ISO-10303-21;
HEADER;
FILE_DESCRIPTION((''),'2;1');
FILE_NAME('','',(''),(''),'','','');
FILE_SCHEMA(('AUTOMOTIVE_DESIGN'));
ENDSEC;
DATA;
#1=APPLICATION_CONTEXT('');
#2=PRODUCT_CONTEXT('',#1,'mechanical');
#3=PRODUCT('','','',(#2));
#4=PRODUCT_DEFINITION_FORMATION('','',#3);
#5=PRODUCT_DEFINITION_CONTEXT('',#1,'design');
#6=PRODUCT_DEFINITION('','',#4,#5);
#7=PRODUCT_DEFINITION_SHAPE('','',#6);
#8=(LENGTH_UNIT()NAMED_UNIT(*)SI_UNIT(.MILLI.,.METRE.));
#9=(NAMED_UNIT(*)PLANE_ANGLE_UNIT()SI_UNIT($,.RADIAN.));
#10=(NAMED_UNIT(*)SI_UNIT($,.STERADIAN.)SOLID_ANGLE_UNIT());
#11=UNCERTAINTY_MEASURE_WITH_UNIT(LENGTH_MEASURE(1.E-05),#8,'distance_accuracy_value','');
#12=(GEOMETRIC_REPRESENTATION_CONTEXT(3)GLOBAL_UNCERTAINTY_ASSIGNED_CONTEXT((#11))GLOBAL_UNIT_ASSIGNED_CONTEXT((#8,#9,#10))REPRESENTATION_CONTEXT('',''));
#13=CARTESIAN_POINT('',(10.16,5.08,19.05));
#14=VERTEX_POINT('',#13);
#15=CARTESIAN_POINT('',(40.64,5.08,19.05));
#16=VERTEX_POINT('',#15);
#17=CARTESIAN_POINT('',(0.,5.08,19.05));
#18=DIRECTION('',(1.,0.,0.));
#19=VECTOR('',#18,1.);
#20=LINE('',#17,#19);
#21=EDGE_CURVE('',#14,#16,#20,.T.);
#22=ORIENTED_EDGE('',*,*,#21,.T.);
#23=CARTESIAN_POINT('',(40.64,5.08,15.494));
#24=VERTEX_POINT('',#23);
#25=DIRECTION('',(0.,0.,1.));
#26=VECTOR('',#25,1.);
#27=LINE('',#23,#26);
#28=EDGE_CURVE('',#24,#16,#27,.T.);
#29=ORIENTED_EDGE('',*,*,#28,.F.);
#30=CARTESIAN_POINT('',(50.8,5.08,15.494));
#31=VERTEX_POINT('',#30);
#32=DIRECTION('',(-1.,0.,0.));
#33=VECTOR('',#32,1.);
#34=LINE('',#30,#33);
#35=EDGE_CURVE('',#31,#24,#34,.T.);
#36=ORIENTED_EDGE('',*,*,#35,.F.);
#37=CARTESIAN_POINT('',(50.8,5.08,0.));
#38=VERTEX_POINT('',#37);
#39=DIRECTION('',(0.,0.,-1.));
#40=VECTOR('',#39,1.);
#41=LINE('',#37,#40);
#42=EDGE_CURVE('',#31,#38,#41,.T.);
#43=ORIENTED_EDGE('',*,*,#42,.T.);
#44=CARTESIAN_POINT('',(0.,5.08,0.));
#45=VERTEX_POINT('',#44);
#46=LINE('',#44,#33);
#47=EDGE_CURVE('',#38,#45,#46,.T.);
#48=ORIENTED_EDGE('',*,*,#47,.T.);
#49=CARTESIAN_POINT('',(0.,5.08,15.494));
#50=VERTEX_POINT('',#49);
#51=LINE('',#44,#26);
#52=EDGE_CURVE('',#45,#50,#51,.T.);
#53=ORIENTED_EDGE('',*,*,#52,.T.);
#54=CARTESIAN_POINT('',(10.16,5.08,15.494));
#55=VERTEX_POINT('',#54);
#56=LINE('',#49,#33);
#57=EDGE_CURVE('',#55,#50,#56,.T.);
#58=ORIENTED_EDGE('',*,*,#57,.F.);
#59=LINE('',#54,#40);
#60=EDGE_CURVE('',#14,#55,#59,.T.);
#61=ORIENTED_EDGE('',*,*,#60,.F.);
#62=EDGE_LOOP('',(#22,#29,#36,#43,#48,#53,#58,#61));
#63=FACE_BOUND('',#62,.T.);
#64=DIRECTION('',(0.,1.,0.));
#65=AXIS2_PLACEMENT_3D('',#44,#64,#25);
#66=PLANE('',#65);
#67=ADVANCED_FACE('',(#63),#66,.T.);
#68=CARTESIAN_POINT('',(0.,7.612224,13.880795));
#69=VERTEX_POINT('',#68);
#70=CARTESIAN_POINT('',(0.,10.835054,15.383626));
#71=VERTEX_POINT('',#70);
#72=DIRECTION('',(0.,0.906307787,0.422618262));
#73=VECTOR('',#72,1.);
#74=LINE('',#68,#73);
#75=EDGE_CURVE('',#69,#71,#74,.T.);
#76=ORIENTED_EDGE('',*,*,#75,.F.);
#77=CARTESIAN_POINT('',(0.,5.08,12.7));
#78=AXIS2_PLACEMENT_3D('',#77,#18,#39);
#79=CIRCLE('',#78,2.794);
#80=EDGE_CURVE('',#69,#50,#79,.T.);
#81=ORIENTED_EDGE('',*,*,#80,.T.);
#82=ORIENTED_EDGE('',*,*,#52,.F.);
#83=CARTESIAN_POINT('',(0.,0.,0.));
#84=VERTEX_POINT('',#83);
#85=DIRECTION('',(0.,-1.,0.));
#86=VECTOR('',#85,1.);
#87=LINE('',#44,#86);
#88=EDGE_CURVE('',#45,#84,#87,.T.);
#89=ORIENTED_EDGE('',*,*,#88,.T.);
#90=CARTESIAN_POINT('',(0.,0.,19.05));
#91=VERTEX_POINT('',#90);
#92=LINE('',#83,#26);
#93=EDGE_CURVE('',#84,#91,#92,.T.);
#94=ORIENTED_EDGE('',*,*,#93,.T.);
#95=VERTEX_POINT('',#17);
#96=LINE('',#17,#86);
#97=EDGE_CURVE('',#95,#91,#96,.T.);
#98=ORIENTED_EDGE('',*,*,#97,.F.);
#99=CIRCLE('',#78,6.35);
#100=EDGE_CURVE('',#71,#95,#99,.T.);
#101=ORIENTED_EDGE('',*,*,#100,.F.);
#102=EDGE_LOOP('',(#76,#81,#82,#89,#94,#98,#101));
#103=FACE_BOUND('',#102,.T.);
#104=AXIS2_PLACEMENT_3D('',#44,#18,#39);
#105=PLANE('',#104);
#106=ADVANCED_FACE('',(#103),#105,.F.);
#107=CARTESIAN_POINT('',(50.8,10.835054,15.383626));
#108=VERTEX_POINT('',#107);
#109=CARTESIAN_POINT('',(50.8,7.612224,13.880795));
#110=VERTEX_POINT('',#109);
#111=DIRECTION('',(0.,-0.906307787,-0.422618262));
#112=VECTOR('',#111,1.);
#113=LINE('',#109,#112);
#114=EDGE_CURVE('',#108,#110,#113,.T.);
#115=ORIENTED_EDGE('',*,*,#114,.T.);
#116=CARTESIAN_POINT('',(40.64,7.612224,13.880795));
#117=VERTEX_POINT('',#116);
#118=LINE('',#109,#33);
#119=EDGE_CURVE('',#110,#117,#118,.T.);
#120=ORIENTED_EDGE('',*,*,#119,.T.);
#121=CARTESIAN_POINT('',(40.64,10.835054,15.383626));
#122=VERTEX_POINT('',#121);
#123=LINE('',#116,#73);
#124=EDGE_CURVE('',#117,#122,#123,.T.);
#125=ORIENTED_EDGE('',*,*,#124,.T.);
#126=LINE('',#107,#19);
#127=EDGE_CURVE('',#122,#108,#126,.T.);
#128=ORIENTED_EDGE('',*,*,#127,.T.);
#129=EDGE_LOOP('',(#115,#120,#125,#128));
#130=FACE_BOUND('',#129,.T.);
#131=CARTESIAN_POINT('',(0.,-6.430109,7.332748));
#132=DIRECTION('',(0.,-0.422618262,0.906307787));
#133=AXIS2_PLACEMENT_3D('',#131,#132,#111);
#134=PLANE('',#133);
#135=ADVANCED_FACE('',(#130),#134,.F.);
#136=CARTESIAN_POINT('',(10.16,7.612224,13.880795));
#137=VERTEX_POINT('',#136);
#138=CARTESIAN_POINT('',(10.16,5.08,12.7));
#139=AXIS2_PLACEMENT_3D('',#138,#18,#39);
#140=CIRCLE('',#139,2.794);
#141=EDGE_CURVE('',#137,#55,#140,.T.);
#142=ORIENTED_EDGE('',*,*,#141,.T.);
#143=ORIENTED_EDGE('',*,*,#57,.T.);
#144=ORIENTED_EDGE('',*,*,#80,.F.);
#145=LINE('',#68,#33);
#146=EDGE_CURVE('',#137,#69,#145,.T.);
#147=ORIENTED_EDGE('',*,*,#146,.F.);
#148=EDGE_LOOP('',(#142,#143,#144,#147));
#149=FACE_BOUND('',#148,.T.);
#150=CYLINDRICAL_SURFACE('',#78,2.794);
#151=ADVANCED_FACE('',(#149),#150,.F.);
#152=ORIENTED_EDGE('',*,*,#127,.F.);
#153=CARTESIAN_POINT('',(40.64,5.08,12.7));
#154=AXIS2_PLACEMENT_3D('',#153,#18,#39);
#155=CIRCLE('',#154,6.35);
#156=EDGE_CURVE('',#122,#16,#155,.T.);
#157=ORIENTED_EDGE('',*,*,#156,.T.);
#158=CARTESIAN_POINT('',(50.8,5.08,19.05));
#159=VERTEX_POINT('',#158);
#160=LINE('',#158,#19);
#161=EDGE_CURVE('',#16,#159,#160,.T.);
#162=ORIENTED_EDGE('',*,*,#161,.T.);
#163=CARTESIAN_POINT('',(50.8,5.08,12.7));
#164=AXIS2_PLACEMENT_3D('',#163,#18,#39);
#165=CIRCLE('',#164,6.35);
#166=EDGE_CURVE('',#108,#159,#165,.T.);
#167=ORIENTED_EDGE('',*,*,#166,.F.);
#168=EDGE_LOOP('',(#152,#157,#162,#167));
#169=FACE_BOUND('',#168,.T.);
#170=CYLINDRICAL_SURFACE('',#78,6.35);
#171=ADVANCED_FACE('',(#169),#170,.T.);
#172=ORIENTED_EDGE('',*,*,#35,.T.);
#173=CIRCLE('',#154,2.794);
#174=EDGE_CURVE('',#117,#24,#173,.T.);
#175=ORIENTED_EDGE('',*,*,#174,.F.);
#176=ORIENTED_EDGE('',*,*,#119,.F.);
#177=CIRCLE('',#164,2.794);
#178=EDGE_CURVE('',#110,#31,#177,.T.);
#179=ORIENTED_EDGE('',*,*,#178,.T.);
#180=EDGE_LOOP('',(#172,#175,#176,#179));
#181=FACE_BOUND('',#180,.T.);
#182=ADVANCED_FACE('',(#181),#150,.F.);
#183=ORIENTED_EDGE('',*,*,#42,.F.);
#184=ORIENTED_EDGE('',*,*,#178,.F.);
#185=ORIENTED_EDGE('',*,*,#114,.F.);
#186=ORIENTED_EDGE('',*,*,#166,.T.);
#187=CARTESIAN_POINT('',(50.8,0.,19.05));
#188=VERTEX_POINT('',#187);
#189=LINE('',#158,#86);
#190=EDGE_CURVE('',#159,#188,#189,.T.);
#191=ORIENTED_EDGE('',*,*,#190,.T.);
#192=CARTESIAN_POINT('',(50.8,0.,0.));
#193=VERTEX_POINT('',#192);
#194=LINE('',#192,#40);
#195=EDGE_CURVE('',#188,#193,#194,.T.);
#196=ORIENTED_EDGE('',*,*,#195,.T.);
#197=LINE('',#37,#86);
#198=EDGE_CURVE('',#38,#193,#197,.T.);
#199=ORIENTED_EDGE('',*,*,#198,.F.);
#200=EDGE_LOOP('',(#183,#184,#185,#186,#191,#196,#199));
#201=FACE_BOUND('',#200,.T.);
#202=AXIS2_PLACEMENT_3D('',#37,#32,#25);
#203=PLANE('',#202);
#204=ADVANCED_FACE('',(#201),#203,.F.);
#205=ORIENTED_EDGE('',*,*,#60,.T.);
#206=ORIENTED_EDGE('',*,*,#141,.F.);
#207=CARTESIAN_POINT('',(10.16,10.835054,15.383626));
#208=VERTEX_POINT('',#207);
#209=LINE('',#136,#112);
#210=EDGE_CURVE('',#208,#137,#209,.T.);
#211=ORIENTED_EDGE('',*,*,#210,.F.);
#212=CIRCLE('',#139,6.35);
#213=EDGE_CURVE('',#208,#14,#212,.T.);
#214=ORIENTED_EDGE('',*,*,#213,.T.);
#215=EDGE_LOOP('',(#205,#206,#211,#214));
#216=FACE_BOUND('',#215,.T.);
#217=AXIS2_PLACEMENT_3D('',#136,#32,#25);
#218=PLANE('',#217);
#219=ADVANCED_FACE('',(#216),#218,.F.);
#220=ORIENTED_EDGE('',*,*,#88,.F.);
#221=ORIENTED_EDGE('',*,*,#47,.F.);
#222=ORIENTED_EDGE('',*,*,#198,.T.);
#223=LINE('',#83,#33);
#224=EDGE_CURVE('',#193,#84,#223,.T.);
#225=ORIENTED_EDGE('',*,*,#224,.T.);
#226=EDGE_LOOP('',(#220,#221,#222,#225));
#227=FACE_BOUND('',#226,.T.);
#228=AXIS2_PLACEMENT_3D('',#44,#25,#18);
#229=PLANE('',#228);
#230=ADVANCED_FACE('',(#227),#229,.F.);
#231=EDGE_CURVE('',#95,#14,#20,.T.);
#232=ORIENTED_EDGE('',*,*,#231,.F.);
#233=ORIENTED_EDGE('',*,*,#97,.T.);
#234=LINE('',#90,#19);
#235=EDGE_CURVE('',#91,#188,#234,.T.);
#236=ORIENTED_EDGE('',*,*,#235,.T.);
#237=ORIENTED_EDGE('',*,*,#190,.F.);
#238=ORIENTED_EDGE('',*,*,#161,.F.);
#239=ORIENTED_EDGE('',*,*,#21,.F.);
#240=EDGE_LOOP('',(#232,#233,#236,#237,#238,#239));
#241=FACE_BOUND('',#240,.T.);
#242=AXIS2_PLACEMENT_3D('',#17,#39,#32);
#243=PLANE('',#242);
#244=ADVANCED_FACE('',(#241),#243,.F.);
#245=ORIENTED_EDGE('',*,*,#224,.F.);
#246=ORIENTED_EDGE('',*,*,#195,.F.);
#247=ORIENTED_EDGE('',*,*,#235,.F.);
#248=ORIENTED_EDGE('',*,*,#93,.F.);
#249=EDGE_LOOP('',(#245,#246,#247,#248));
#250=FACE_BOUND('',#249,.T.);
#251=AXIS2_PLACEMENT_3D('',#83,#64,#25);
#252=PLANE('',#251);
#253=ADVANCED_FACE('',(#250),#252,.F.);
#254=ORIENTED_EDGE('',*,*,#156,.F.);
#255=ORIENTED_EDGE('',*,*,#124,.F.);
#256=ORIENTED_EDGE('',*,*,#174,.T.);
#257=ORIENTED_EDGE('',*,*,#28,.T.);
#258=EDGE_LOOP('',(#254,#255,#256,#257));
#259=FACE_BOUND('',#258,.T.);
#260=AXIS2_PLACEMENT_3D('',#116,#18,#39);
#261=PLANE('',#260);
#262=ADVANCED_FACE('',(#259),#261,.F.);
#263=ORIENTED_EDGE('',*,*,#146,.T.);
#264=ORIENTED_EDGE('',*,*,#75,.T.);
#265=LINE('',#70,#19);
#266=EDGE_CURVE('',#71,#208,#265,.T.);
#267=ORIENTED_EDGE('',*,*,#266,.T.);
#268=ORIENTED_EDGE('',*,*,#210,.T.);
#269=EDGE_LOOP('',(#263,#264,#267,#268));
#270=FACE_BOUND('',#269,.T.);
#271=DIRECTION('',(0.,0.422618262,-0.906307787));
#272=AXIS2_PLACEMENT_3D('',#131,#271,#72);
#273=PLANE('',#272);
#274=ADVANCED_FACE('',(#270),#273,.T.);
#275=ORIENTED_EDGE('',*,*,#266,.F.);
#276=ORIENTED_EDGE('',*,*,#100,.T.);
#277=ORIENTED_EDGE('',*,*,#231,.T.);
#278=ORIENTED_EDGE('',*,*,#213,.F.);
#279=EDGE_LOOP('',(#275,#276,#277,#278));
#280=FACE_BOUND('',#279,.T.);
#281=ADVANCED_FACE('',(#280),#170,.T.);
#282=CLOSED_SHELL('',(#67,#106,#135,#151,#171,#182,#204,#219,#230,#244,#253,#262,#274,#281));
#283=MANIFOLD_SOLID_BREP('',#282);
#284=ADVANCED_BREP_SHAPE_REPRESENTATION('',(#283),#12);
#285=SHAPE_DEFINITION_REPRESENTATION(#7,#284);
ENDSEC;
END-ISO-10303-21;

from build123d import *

# Parameters (mm, degrees)
SKETCH1_W           = 50.8
SKETCH1_H           = 19.05
BOSS_EXTRUDE1_DEPTH = 5.08
SKETCH2_W           = 10.16
SKETCH2_H           = 3.556
REVOLVE1_ANGLE      = 65


with BuildPart() as part:
    # Sketch1 → Boss-Extrude1 (new body)
    with BuildSketch(Plane(origin=(0, 0, 0), x_dir=(1, 0, 0), z_dir=(0, 1, 0))):
        with Locations((25.4, -9.525)):
            Rectangle(SKETCH1_W, SKETCH1_H)
    extrude(amount=BOSS_EXTRUDE1_DEPTH)

    # Sketch2 → Revolve1 (revolve)
    with BuildSketch(Plane(origin=(0, 5.08, 0), x_dir=(1, 0, 0), z_dir=(0, 1, 0))):
        with Locations((5.08, -17.272)):
            Rectangle(SKETCH2_W, SKETCH2_H)
        with Locations((45.72, -17.272)):
            Rectangle(SKETCH2_W, SKETCH2_H)
    revolve(axis=Axis((0, 5.08, 12.7), (-1, 0, 0)), revolution_arc=REVOLVE1_ANGLE)


solid = part.part
